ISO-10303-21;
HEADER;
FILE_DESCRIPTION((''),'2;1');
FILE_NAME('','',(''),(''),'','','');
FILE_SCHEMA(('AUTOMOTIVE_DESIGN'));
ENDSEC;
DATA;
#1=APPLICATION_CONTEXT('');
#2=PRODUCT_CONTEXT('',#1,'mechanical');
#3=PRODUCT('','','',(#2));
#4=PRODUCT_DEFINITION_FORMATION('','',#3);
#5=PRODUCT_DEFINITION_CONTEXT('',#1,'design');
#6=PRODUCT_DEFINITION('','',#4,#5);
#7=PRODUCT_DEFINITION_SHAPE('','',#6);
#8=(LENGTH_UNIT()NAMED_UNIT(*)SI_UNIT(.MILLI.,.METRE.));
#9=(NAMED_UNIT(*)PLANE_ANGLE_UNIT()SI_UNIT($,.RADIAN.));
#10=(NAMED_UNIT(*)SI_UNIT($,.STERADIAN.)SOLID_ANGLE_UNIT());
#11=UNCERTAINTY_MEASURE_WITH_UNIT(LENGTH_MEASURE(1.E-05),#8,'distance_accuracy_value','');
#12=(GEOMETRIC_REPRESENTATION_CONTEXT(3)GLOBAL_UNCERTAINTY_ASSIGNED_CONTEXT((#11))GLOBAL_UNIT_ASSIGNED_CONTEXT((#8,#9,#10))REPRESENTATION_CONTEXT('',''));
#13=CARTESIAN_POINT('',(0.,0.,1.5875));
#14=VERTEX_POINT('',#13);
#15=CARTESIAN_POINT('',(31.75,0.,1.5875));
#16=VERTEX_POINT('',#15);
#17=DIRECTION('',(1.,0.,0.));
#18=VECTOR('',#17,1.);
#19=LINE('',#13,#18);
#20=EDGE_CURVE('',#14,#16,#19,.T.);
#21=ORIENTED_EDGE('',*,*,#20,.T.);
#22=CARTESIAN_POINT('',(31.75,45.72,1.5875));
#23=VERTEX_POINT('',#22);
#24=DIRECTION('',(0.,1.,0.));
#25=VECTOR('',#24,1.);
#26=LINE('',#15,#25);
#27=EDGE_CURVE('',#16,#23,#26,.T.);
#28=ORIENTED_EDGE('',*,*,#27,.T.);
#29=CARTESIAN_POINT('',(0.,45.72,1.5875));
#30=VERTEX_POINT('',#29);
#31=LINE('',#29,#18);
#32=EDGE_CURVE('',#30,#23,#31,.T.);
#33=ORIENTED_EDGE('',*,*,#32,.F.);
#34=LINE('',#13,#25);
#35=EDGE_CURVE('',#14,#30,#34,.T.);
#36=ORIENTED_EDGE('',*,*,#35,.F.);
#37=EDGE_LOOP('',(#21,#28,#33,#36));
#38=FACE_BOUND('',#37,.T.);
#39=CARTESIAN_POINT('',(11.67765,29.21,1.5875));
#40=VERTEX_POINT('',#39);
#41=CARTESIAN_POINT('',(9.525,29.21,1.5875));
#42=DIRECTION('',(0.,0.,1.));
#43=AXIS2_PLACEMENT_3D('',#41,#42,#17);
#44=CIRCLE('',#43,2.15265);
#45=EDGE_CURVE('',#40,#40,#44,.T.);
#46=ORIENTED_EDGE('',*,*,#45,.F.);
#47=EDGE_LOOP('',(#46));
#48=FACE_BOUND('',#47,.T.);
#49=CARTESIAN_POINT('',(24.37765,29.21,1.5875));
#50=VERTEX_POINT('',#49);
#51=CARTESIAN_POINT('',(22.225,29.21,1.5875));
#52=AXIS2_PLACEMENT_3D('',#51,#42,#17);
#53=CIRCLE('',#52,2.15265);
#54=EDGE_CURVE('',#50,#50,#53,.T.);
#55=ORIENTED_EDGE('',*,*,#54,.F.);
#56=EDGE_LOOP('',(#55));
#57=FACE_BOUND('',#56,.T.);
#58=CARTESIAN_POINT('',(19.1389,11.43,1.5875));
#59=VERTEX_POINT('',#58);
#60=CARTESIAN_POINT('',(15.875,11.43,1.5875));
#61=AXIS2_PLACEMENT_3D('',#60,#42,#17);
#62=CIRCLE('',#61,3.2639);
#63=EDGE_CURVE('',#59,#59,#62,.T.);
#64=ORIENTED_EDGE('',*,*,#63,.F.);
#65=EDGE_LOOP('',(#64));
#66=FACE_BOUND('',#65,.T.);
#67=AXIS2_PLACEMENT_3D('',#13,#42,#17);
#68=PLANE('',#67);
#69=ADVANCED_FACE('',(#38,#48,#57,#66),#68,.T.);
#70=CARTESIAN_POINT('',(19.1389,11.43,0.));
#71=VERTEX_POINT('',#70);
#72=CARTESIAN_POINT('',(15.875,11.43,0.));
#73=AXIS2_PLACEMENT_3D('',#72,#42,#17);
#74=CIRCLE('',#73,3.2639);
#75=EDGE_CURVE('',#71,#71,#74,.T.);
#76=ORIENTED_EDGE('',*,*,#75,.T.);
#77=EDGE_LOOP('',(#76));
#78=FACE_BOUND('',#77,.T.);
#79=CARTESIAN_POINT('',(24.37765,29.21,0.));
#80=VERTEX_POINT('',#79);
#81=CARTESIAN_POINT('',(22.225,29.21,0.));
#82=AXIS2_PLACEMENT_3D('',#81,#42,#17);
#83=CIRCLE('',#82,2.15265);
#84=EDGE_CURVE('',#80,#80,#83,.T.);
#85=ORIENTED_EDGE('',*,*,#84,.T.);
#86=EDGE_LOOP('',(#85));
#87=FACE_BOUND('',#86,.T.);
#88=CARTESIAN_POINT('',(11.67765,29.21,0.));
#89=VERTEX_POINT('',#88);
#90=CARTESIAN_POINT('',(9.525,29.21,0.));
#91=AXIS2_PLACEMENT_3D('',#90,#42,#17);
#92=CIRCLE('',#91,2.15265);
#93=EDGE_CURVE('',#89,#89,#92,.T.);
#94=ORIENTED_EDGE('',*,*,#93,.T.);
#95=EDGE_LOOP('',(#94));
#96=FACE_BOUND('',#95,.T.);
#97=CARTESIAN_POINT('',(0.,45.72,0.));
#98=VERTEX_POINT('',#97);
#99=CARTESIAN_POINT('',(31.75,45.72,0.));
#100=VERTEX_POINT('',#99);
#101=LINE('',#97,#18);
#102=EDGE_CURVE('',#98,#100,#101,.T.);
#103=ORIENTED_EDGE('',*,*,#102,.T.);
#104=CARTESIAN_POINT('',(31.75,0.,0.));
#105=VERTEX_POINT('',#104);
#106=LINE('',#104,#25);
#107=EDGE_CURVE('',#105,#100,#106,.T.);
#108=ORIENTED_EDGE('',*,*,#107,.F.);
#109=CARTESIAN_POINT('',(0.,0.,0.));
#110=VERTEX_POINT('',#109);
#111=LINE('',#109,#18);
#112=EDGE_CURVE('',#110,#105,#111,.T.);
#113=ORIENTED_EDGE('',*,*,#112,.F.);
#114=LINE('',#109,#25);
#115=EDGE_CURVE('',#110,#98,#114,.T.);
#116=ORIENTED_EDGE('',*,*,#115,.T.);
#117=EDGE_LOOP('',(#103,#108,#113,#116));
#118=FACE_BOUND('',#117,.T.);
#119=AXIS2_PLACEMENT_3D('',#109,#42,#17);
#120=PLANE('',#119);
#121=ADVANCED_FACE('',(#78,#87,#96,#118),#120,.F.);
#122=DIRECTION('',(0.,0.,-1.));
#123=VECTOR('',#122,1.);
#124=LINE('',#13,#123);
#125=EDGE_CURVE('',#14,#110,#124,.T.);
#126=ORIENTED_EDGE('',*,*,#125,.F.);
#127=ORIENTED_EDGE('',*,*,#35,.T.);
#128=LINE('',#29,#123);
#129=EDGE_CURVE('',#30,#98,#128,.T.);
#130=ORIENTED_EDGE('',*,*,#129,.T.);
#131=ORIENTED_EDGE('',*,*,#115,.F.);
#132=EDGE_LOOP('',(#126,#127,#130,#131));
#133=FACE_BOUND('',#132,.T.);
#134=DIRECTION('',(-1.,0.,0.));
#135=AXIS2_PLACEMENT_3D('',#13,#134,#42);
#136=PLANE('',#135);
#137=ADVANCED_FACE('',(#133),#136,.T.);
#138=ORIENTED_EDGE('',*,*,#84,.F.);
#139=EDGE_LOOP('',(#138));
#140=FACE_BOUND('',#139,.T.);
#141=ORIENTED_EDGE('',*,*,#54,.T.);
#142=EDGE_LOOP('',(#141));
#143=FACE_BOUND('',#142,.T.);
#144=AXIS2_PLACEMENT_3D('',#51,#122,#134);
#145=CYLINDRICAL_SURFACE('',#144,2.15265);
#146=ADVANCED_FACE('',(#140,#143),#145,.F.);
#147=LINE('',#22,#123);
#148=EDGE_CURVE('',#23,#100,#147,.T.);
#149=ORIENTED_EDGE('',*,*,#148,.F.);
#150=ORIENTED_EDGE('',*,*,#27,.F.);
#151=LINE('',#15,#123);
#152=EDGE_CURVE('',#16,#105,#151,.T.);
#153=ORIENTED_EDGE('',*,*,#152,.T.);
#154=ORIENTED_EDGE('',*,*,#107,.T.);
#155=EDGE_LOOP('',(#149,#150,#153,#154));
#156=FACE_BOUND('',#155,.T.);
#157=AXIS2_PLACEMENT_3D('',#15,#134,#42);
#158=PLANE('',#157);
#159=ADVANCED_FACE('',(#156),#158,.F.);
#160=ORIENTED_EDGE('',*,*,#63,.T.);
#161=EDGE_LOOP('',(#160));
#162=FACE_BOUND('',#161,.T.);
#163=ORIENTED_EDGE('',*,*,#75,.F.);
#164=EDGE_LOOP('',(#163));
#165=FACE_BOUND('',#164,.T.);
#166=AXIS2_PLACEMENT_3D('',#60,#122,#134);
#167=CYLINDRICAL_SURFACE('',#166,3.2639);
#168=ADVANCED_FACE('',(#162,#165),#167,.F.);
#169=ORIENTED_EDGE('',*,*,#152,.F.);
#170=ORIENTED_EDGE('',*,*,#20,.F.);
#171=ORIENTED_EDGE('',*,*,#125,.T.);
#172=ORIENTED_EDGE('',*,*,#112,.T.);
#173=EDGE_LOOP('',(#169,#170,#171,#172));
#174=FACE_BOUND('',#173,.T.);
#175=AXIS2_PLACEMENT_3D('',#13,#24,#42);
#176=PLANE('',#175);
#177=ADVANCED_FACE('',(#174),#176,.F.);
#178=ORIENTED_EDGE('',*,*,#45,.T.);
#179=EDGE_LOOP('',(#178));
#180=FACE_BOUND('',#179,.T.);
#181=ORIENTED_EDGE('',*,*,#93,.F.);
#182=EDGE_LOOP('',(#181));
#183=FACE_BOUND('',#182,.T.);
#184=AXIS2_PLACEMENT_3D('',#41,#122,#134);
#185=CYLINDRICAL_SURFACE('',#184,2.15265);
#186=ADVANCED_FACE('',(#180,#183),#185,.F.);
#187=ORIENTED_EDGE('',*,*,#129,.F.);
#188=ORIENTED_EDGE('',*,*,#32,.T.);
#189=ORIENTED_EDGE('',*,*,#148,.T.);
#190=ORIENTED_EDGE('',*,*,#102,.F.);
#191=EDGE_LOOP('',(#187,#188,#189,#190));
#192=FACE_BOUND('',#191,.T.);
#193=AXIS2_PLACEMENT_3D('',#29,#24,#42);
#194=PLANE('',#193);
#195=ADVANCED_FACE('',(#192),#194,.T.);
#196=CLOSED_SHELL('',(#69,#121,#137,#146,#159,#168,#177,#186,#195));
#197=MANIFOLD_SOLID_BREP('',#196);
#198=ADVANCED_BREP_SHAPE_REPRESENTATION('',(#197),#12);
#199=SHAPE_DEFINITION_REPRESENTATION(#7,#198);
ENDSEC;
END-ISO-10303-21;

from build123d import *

# Parameters (mm, degrees)
SKETCH2_W           = 31.75
SKETCH2_H           = 45.72
SKETCH2_R           = 2.15265
SKETCH2_R_2         = 3.2639
BOSS_EXTRUDE1_DEPTH = 1.5875


with BuildPart() as part:
    # Sketch2 → Boss-Extrude1 (new body)
    with BuildSketch(Plane.XY):
        with Locations((15.875, 22.86)):
            Rectangle(SKETCH2_W, SKETCH2_H)
        with Locations((9.525, 29.21)):
            Circle(SKETCH2_R, mode=Mode.SUBTRACT)
        with Locations((22.225, 29.21)):
            Circle(SKETCH2_R, mode=Mode.SUBTRACT)
        with Locations((15.875, 11.43)):
            Circle(SKETCH2_R_2, mode=Mode.SUBTRACT)
    extrude(amount=BOSS_EXTRUDE1_DEPTH)


solid = part.part
